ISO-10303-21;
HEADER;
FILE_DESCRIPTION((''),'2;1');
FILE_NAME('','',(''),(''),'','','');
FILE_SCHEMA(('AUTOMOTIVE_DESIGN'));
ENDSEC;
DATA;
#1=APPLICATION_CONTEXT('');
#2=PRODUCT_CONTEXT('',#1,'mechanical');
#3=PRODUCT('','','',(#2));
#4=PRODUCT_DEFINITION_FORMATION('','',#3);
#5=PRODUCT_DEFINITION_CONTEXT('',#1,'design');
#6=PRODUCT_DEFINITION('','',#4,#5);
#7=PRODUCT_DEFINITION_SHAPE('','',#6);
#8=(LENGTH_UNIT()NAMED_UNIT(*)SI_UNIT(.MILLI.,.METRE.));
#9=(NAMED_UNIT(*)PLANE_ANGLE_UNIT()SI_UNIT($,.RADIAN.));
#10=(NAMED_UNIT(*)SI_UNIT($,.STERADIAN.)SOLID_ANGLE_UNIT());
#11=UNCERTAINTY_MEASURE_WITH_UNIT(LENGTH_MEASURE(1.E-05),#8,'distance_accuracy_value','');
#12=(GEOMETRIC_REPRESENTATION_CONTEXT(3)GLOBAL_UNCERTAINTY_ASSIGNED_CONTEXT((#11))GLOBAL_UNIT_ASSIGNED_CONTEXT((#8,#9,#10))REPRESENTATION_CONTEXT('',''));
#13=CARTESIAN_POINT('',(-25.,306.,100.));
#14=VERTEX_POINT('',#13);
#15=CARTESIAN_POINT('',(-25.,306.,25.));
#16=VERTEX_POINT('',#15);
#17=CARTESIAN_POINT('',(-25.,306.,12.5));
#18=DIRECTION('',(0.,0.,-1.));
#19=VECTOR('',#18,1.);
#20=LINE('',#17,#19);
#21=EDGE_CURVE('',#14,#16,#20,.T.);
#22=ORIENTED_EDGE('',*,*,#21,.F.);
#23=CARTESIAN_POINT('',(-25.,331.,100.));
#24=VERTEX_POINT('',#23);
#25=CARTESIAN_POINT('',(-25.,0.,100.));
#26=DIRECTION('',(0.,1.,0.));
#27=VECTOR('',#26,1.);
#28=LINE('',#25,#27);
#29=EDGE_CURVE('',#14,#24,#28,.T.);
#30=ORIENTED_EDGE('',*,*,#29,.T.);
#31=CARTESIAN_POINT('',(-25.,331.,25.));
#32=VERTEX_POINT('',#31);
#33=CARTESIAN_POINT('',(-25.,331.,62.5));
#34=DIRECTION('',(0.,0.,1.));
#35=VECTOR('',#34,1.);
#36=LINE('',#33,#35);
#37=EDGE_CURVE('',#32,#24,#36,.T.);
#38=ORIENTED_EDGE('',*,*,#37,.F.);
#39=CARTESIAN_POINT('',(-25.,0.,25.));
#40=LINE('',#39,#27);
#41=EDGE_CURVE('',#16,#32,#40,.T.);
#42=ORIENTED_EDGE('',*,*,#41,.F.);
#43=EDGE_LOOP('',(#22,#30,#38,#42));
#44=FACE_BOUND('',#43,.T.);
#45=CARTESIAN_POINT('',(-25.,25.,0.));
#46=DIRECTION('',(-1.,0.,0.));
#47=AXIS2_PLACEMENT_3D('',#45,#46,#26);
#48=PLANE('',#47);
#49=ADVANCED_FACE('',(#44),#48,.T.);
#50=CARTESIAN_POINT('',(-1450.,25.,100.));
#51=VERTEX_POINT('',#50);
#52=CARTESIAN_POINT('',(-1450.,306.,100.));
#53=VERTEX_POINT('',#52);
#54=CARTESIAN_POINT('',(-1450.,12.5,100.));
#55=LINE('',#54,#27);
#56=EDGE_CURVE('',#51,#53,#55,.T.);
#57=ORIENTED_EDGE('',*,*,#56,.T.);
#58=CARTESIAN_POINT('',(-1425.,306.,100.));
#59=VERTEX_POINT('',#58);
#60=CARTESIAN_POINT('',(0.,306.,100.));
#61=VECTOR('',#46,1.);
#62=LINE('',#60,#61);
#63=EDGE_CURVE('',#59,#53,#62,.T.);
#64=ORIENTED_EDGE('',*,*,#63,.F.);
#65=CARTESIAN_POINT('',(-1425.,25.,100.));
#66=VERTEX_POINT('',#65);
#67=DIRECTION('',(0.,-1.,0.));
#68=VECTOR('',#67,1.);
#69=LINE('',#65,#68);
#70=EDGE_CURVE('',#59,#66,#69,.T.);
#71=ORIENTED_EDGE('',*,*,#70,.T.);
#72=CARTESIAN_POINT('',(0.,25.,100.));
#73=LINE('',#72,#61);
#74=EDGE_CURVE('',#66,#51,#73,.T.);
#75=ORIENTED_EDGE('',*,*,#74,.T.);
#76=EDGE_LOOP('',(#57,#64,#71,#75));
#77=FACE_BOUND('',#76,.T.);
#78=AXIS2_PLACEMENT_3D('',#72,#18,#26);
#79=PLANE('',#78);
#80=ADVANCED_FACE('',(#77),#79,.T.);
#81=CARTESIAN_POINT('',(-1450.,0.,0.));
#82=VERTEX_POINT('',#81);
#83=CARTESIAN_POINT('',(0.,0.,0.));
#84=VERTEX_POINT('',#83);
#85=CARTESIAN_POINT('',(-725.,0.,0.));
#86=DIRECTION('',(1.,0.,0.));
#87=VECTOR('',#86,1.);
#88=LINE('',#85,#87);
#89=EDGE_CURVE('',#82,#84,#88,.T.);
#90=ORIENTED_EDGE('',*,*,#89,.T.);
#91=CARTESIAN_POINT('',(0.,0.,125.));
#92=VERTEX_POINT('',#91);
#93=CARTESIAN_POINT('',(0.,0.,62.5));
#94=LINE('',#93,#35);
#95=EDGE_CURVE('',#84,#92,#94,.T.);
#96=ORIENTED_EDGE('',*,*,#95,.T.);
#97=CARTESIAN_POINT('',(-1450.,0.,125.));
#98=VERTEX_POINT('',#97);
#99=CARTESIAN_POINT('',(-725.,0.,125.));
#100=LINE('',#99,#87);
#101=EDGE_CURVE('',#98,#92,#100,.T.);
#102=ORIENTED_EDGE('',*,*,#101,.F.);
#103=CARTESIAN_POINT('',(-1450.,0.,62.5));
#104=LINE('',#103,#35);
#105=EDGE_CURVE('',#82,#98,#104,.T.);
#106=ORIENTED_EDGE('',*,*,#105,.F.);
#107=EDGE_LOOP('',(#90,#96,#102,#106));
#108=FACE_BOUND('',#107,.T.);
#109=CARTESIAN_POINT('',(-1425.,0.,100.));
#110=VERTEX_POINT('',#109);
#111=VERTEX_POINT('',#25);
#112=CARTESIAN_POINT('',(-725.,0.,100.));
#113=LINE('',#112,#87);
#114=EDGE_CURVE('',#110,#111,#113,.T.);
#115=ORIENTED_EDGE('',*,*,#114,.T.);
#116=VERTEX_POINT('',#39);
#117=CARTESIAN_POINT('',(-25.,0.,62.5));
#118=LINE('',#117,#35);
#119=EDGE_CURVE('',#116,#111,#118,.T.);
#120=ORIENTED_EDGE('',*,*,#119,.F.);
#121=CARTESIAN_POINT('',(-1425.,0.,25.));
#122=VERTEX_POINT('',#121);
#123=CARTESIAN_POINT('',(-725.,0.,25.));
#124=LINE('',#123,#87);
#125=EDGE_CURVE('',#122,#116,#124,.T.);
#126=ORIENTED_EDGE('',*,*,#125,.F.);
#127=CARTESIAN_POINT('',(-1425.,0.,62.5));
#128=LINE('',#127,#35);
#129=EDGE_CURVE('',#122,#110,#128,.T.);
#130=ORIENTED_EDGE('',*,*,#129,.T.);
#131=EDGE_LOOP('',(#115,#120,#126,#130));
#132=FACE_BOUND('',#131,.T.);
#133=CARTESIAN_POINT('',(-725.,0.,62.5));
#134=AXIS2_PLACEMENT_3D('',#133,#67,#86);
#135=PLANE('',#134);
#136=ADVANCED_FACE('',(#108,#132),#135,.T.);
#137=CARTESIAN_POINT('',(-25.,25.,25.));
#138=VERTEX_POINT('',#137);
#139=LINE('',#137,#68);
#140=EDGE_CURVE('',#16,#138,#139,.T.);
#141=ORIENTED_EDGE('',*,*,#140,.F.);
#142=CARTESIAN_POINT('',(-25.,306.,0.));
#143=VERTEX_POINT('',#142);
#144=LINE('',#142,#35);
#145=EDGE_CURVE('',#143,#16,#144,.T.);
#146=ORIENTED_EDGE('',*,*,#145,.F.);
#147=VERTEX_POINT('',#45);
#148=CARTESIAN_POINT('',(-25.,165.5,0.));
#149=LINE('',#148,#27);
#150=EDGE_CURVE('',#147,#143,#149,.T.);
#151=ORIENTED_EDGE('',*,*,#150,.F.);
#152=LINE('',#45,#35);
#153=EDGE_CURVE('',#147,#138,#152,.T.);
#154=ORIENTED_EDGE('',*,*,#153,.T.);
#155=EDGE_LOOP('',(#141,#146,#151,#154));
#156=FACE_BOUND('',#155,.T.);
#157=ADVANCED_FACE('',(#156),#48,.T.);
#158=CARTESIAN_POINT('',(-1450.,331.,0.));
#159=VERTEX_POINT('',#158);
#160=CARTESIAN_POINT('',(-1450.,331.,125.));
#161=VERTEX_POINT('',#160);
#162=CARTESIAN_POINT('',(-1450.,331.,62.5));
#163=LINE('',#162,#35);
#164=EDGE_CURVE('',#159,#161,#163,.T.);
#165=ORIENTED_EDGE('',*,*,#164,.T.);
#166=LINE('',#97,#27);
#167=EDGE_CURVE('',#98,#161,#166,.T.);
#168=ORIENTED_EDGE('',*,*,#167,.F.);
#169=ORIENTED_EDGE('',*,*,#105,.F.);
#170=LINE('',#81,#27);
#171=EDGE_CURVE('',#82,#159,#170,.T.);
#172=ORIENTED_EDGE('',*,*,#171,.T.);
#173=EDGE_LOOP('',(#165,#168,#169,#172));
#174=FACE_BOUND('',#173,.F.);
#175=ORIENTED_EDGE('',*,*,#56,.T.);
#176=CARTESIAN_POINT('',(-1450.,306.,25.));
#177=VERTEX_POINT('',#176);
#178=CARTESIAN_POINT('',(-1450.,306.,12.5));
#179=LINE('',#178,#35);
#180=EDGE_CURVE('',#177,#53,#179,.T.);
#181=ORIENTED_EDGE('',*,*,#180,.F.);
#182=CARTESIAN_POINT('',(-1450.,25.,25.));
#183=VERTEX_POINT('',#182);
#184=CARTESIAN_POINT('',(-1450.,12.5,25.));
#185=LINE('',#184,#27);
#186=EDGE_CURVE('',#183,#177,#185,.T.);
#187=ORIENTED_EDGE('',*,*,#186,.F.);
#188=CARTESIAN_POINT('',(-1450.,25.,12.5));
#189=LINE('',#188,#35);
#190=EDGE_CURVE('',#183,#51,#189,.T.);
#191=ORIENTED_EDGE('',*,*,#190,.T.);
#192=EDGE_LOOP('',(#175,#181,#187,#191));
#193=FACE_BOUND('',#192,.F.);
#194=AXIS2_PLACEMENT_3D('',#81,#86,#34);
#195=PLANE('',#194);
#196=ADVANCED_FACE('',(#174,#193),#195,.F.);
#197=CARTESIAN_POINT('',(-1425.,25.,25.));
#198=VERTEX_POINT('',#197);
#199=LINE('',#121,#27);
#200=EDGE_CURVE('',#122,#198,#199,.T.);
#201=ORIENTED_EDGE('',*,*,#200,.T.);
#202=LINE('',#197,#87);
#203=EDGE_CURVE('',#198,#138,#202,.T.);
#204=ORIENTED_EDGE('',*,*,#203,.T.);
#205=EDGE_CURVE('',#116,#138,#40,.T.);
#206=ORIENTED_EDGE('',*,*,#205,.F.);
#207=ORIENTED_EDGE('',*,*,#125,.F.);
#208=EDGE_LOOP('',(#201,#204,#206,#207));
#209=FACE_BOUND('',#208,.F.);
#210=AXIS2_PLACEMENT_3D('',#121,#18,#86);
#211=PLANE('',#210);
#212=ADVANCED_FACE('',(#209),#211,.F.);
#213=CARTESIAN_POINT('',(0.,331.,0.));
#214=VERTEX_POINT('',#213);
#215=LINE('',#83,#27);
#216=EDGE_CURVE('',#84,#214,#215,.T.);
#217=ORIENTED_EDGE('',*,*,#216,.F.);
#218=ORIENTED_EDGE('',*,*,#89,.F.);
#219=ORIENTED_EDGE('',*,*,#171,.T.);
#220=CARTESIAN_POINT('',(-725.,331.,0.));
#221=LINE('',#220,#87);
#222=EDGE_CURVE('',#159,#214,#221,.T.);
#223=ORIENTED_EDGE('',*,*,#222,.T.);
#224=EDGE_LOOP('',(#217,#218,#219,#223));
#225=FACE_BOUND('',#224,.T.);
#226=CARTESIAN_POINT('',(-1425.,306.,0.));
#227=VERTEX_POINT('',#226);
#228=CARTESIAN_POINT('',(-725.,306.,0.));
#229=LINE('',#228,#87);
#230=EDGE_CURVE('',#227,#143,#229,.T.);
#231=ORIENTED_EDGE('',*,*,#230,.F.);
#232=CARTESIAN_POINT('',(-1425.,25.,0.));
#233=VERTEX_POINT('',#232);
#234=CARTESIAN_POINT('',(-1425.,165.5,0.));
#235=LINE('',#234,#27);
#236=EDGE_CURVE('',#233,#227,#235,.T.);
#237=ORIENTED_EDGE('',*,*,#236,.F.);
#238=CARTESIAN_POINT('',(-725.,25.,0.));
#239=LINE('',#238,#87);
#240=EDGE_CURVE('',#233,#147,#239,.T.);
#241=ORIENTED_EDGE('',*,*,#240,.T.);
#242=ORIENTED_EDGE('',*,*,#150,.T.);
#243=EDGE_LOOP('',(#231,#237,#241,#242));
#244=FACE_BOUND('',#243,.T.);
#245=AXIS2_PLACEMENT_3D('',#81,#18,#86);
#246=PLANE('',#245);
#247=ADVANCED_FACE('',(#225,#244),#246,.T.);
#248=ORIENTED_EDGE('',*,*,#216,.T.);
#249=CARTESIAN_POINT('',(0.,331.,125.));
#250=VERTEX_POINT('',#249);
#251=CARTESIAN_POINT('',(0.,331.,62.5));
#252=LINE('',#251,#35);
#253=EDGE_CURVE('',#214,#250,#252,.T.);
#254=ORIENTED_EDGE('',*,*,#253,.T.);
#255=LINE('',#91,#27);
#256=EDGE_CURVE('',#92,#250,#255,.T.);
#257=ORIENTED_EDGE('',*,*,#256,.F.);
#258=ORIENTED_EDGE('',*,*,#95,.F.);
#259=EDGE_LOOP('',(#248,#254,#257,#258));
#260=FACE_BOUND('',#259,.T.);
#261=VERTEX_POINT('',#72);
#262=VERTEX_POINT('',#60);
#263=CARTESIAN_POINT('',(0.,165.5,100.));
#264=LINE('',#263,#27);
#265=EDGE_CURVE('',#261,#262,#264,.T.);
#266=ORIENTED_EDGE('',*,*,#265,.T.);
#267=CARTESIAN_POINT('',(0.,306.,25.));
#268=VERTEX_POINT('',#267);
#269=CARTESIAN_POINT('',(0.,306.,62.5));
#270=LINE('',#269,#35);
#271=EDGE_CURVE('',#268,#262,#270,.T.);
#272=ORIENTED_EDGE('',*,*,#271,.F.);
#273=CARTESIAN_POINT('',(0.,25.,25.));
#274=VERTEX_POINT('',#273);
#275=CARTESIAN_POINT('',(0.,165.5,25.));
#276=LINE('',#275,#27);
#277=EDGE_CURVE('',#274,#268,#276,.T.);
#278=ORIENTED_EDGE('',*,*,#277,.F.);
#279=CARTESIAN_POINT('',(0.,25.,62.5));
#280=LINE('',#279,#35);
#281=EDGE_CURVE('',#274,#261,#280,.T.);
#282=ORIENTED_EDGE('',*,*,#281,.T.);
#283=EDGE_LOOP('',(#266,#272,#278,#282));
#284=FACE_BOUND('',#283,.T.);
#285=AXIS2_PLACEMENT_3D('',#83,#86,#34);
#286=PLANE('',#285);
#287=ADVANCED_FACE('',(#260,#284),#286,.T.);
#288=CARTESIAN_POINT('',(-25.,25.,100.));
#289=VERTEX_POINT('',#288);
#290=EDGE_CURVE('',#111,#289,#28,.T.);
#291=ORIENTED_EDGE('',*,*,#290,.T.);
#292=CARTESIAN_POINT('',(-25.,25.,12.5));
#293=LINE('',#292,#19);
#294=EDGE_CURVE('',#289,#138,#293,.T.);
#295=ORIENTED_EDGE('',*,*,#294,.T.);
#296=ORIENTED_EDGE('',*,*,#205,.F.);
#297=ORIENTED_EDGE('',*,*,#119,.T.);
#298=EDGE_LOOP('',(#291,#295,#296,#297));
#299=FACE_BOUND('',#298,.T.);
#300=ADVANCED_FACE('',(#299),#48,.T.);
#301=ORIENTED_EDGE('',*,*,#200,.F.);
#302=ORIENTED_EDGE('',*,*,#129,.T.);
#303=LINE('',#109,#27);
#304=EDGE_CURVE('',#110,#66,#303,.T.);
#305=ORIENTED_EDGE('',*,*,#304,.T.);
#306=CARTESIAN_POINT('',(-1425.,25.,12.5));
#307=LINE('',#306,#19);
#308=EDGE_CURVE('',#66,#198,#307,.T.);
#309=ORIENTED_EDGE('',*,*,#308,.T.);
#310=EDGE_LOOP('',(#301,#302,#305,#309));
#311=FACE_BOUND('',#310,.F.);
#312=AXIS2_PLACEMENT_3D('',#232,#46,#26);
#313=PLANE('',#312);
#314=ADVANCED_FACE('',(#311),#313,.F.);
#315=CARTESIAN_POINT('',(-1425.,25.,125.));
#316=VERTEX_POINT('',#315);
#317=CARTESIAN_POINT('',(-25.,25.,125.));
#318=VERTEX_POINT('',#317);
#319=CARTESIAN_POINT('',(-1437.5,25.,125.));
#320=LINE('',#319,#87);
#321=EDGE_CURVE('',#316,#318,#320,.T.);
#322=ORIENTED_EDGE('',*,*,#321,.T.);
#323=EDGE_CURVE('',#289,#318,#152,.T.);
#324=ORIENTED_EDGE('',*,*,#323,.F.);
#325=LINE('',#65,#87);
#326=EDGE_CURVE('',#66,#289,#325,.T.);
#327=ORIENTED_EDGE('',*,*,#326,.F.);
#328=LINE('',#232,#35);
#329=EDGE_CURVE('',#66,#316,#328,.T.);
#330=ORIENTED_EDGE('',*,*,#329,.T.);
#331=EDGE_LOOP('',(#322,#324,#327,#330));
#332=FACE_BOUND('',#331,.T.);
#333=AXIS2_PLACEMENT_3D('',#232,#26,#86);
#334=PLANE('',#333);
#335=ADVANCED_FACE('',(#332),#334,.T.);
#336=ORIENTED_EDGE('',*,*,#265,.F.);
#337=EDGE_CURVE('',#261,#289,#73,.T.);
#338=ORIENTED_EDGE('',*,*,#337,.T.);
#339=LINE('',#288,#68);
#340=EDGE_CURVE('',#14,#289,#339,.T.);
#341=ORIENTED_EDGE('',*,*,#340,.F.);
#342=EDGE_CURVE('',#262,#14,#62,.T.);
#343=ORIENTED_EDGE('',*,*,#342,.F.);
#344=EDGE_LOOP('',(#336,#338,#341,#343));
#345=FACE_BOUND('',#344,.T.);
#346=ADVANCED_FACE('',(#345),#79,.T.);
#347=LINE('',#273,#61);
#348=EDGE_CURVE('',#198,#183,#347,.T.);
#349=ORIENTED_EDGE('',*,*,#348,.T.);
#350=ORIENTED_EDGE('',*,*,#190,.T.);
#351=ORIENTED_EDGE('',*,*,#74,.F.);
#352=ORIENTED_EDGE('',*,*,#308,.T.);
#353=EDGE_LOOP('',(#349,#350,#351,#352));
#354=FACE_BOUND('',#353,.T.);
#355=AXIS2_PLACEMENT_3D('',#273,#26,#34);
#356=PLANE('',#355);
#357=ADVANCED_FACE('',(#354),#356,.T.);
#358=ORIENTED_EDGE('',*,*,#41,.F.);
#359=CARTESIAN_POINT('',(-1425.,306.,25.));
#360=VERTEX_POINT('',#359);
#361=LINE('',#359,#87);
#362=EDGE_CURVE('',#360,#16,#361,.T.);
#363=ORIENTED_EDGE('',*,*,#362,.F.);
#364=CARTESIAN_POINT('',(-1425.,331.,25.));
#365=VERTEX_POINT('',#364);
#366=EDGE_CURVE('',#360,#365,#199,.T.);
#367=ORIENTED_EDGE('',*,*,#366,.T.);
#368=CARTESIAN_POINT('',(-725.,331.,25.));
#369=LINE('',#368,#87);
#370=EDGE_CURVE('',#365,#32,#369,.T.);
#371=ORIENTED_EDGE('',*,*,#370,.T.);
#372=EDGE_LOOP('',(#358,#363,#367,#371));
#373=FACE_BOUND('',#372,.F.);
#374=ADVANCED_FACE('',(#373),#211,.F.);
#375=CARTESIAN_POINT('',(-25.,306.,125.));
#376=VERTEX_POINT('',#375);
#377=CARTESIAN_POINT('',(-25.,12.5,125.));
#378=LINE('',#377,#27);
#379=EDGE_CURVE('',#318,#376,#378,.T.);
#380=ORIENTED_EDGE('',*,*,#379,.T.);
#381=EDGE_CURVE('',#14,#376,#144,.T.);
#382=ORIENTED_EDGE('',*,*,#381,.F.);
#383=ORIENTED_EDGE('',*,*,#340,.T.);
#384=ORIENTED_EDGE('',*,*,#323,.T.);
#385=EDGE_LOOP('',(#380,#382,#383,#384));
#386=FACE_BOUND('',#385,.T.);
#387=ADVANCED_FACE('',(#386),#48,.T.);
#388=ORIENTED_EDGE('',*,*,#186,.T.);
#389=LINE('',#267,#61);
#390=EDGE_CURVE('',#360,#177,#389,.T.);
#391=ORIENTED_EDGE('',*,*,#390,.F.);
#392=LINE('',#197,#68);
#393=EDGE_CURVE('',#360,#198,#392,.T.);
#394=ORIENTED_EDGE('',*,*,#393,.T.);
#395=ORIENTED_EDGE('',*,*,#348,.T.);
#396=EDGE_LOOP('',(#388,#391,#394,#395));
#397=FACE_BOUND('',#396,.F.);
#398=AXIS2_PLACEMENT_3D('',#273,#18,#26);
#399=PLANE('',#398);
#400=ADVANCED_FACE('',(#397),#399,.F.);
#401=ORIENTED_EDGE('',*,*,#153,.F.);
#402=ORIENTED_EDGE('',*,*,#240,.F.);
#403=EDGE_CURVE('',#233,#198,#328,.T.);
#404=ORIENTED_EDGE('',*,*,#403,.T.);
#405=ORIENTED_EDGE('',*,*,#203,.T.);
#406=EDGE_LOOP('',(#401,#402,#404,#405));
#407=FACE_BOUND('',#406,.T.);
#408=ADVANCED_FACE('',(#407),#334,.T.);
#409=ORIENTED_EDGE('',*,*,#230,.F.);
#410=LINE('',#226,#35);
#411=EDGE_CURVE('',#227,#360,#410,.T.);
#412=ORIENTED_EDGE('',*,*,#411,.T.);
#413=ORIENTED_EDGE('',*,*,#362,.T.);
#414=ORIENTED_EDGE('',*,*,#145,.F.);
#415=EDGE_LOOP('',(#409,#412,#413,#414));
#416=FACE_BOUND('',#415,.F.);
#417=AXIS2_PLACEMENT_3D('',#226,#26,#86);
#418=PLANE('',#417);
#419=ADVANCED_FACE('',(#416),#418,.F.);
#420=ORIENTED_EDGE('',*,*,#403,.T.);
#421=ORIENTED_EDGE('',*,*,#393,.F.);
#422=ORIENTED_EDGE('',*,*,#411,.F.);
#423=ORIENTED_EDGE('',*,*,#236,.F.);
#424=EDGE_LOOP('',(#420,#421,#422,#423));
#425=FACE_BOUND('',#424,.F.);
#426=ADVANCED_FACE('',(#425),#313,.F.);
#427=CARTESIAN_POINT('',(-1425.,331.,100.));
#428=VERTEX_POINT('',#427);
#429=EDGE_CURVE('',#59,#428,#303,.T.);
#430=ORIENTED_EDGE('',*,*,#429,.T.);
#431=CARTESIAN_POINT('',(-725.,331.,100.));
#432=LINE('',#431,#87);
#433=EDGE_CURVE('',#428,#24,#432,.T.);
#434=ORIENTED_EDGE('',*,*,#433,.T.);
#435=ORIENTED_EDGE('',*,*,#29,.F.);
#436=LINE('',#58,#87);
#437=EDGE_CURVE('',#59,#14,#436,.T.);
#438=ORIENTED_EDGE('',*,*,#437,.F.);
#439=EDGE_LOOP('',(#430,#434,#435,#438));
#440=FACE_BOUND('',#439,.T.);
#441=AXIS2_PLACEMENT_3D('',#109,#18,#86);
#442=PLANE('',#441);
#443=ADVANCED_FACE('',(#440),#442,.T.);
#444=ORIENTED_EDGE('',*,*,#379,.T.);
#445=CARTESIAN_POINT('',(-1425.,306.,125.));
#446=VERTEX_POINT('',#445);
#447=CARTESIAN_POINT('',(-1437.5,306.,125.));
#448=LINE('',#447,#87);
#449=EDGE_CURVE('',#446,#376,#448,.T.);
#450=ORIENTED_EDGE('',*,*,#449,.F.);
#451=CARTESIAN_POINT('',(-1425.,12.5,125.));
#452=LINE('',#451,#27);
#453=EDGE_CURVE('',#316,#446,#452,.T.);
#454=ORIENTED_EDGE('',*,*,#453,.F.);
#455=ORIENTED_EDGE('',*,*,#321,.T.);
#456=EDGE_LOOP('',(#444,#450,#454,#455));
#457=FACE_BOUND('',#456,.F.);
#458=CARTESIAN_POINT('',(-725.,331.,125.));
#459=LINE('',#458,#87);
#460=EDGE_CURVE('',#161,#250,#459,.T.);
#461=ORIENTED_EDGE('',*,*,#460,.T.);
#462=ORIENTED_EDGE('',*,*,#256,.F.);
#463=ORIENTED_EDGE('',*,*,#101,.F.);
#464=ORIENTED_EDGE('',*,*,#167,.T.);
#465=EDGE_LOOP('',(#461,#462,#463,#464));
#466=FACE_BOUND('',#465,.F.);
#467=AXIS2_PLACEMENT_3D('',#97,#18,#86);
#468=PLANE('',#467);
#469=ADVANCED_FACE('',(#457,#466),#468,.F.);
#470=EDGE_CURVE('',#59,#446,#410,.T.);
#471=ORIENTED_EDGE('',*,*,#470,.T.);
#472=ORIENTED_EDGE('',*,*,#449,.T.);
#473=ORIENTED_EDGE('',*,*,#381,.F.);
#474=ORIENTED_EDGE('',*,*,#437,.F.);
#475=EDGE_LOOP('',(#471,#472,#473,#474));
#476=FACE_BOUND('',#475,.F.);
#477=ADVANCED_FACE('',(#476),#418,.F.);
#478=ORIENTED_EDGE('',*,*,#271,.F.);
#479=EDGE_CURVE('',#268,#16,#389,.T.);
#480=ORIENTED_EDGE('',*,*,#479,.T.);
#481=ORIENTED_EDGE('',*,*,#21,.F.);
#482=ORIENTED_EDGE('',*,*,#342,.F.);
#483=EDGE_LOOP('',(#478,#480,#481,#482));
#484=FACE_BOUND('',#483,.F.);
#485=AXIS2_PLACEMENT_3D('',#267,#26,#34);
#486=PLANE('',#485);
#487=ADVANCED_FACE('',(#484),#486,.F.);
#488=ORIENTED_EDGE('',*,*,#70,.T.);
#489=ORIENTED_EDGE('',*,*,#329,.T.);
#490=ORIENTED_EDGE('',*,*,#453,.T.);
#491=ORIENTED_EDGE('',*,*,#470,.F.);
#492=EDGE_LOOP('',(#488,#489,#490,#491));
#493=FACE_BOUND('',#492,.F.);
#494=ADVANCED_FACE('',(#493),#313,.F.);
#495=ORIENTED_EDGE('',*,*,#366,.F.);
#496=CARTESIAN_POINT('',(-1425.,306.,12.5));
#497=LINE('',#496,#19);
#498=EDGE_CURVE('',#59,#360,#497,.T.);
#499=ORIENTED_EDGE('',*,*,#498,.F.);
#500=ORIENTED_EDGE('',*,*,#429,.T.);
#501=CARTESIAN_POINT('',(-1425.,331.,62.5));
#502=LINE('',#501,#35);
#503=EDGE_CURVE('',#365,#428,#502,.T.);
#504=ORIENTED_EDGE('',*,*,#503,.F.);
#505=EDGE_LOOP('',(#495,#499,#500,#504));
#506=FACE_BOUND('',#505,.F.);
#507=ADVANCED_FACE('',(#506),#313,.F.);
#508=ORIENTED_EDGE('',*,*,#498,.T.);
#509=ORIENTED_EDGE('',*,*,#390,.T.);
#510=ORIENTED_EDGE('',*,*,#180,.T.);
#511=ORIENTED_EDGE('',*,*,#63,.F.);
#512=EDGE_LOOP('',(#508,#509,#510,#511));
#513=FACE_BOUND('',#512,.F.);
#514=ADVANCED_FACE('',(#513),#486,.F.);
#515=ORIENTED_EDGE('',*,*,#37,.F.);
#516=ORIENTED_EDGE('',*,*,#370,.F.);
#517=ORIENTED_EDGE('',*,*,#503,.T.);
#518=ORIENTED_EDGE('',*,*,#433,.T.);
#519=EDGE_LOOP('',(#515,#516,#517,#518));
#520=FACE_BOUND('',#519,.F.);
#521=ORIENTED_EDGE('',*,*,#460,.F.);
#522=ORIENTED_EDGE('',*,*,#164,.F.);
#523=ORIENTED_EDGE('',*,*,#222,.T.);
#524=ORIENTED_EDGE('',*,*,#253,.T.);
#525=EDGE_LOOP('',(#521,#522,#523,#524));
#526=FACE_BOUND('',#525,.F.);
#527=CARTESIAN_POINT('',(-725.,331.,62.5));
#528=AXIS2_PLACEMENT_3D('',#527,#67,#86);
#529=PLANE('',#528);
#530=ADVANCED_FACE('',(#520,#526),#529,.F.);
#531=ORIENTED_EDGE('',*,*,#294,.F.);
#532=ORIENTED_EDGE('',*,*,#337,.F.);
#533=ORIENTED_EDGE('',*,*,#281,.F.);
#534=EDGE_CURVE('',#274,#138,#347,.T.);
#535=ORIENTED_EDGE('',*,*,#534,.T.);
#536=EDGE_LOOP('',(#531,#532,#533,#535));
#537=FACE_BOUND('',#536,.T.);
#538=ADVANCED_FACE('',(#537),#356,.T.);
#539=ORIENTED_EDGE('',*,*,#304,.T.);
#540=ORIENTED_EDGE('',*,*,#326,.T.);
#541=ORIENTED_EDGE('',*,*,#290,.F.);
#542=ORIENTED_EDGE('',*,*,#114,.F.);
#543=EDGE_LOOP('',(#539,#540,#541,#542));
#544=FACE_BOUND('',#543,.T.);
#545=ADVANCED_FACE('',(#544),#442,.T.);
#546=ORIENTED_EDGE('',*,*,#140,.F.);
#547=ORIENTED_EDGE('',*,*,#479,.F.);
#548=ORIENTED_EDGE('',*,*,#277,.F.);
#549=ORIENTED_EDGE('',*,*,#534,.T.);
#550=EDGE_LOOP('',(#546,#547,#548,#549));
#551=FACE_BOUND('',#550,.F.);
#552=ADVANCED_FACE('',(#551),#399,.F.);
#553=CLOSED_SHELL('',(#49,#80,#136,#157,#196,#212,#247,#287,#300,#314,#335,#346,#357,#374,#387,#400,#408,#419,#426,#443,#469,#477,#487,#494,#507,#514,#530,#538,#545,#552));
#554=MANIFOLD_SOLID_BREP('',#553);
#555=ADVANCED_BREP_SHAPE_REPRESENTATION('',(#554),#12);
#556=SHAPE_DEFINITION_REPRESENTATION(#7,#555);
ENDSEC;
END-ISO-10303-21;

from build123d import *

# Parameters (mm, degrees)
F0_W     = 1450
F0_H     = 125
F0_W_2   = 1400
F0_H_2   = 75
F1_DEPTH = 331
F2_W     = 1400
F2_H     = 281
F3_DEPTH = 377
F4_W     = 281
F4_H     = 75
F5_DEPTH = 1538


with BuildPart() as f1:
    # F0 (on Front) → F1 (new body)
    with BuildSketch(Plane.XZ):
        with Locations((-725, 62.5)):
            Rectangle(F0_W, F0_H)
        with Locations((-725, 62.5)):
            Rectangle(F0_W_2, F0_H_2, mode=Mode.SUBTRACT)
    extrude(amount=-F1_DEPTH)

    # F2 (on Top) → F3 (cut)
    with BuildSketch(Plane.XY):
        with Locations((-725, 165.5)):
            Rectangle(F2_W, F2_H)
    extrude(amount=F3_DEPTH, mode=Mode.SUBTRACT)

    # F4 (on Right) → F5 (cut)
    with BuildSketch(Plane.YZ):
        with Locations((165.5, 62.5)):
            Rectangle(F4_W, F4_H)
    extrude(amount=-F5_DEPTH, mode=Mode.SUBTRACT)


solid = f1.part
